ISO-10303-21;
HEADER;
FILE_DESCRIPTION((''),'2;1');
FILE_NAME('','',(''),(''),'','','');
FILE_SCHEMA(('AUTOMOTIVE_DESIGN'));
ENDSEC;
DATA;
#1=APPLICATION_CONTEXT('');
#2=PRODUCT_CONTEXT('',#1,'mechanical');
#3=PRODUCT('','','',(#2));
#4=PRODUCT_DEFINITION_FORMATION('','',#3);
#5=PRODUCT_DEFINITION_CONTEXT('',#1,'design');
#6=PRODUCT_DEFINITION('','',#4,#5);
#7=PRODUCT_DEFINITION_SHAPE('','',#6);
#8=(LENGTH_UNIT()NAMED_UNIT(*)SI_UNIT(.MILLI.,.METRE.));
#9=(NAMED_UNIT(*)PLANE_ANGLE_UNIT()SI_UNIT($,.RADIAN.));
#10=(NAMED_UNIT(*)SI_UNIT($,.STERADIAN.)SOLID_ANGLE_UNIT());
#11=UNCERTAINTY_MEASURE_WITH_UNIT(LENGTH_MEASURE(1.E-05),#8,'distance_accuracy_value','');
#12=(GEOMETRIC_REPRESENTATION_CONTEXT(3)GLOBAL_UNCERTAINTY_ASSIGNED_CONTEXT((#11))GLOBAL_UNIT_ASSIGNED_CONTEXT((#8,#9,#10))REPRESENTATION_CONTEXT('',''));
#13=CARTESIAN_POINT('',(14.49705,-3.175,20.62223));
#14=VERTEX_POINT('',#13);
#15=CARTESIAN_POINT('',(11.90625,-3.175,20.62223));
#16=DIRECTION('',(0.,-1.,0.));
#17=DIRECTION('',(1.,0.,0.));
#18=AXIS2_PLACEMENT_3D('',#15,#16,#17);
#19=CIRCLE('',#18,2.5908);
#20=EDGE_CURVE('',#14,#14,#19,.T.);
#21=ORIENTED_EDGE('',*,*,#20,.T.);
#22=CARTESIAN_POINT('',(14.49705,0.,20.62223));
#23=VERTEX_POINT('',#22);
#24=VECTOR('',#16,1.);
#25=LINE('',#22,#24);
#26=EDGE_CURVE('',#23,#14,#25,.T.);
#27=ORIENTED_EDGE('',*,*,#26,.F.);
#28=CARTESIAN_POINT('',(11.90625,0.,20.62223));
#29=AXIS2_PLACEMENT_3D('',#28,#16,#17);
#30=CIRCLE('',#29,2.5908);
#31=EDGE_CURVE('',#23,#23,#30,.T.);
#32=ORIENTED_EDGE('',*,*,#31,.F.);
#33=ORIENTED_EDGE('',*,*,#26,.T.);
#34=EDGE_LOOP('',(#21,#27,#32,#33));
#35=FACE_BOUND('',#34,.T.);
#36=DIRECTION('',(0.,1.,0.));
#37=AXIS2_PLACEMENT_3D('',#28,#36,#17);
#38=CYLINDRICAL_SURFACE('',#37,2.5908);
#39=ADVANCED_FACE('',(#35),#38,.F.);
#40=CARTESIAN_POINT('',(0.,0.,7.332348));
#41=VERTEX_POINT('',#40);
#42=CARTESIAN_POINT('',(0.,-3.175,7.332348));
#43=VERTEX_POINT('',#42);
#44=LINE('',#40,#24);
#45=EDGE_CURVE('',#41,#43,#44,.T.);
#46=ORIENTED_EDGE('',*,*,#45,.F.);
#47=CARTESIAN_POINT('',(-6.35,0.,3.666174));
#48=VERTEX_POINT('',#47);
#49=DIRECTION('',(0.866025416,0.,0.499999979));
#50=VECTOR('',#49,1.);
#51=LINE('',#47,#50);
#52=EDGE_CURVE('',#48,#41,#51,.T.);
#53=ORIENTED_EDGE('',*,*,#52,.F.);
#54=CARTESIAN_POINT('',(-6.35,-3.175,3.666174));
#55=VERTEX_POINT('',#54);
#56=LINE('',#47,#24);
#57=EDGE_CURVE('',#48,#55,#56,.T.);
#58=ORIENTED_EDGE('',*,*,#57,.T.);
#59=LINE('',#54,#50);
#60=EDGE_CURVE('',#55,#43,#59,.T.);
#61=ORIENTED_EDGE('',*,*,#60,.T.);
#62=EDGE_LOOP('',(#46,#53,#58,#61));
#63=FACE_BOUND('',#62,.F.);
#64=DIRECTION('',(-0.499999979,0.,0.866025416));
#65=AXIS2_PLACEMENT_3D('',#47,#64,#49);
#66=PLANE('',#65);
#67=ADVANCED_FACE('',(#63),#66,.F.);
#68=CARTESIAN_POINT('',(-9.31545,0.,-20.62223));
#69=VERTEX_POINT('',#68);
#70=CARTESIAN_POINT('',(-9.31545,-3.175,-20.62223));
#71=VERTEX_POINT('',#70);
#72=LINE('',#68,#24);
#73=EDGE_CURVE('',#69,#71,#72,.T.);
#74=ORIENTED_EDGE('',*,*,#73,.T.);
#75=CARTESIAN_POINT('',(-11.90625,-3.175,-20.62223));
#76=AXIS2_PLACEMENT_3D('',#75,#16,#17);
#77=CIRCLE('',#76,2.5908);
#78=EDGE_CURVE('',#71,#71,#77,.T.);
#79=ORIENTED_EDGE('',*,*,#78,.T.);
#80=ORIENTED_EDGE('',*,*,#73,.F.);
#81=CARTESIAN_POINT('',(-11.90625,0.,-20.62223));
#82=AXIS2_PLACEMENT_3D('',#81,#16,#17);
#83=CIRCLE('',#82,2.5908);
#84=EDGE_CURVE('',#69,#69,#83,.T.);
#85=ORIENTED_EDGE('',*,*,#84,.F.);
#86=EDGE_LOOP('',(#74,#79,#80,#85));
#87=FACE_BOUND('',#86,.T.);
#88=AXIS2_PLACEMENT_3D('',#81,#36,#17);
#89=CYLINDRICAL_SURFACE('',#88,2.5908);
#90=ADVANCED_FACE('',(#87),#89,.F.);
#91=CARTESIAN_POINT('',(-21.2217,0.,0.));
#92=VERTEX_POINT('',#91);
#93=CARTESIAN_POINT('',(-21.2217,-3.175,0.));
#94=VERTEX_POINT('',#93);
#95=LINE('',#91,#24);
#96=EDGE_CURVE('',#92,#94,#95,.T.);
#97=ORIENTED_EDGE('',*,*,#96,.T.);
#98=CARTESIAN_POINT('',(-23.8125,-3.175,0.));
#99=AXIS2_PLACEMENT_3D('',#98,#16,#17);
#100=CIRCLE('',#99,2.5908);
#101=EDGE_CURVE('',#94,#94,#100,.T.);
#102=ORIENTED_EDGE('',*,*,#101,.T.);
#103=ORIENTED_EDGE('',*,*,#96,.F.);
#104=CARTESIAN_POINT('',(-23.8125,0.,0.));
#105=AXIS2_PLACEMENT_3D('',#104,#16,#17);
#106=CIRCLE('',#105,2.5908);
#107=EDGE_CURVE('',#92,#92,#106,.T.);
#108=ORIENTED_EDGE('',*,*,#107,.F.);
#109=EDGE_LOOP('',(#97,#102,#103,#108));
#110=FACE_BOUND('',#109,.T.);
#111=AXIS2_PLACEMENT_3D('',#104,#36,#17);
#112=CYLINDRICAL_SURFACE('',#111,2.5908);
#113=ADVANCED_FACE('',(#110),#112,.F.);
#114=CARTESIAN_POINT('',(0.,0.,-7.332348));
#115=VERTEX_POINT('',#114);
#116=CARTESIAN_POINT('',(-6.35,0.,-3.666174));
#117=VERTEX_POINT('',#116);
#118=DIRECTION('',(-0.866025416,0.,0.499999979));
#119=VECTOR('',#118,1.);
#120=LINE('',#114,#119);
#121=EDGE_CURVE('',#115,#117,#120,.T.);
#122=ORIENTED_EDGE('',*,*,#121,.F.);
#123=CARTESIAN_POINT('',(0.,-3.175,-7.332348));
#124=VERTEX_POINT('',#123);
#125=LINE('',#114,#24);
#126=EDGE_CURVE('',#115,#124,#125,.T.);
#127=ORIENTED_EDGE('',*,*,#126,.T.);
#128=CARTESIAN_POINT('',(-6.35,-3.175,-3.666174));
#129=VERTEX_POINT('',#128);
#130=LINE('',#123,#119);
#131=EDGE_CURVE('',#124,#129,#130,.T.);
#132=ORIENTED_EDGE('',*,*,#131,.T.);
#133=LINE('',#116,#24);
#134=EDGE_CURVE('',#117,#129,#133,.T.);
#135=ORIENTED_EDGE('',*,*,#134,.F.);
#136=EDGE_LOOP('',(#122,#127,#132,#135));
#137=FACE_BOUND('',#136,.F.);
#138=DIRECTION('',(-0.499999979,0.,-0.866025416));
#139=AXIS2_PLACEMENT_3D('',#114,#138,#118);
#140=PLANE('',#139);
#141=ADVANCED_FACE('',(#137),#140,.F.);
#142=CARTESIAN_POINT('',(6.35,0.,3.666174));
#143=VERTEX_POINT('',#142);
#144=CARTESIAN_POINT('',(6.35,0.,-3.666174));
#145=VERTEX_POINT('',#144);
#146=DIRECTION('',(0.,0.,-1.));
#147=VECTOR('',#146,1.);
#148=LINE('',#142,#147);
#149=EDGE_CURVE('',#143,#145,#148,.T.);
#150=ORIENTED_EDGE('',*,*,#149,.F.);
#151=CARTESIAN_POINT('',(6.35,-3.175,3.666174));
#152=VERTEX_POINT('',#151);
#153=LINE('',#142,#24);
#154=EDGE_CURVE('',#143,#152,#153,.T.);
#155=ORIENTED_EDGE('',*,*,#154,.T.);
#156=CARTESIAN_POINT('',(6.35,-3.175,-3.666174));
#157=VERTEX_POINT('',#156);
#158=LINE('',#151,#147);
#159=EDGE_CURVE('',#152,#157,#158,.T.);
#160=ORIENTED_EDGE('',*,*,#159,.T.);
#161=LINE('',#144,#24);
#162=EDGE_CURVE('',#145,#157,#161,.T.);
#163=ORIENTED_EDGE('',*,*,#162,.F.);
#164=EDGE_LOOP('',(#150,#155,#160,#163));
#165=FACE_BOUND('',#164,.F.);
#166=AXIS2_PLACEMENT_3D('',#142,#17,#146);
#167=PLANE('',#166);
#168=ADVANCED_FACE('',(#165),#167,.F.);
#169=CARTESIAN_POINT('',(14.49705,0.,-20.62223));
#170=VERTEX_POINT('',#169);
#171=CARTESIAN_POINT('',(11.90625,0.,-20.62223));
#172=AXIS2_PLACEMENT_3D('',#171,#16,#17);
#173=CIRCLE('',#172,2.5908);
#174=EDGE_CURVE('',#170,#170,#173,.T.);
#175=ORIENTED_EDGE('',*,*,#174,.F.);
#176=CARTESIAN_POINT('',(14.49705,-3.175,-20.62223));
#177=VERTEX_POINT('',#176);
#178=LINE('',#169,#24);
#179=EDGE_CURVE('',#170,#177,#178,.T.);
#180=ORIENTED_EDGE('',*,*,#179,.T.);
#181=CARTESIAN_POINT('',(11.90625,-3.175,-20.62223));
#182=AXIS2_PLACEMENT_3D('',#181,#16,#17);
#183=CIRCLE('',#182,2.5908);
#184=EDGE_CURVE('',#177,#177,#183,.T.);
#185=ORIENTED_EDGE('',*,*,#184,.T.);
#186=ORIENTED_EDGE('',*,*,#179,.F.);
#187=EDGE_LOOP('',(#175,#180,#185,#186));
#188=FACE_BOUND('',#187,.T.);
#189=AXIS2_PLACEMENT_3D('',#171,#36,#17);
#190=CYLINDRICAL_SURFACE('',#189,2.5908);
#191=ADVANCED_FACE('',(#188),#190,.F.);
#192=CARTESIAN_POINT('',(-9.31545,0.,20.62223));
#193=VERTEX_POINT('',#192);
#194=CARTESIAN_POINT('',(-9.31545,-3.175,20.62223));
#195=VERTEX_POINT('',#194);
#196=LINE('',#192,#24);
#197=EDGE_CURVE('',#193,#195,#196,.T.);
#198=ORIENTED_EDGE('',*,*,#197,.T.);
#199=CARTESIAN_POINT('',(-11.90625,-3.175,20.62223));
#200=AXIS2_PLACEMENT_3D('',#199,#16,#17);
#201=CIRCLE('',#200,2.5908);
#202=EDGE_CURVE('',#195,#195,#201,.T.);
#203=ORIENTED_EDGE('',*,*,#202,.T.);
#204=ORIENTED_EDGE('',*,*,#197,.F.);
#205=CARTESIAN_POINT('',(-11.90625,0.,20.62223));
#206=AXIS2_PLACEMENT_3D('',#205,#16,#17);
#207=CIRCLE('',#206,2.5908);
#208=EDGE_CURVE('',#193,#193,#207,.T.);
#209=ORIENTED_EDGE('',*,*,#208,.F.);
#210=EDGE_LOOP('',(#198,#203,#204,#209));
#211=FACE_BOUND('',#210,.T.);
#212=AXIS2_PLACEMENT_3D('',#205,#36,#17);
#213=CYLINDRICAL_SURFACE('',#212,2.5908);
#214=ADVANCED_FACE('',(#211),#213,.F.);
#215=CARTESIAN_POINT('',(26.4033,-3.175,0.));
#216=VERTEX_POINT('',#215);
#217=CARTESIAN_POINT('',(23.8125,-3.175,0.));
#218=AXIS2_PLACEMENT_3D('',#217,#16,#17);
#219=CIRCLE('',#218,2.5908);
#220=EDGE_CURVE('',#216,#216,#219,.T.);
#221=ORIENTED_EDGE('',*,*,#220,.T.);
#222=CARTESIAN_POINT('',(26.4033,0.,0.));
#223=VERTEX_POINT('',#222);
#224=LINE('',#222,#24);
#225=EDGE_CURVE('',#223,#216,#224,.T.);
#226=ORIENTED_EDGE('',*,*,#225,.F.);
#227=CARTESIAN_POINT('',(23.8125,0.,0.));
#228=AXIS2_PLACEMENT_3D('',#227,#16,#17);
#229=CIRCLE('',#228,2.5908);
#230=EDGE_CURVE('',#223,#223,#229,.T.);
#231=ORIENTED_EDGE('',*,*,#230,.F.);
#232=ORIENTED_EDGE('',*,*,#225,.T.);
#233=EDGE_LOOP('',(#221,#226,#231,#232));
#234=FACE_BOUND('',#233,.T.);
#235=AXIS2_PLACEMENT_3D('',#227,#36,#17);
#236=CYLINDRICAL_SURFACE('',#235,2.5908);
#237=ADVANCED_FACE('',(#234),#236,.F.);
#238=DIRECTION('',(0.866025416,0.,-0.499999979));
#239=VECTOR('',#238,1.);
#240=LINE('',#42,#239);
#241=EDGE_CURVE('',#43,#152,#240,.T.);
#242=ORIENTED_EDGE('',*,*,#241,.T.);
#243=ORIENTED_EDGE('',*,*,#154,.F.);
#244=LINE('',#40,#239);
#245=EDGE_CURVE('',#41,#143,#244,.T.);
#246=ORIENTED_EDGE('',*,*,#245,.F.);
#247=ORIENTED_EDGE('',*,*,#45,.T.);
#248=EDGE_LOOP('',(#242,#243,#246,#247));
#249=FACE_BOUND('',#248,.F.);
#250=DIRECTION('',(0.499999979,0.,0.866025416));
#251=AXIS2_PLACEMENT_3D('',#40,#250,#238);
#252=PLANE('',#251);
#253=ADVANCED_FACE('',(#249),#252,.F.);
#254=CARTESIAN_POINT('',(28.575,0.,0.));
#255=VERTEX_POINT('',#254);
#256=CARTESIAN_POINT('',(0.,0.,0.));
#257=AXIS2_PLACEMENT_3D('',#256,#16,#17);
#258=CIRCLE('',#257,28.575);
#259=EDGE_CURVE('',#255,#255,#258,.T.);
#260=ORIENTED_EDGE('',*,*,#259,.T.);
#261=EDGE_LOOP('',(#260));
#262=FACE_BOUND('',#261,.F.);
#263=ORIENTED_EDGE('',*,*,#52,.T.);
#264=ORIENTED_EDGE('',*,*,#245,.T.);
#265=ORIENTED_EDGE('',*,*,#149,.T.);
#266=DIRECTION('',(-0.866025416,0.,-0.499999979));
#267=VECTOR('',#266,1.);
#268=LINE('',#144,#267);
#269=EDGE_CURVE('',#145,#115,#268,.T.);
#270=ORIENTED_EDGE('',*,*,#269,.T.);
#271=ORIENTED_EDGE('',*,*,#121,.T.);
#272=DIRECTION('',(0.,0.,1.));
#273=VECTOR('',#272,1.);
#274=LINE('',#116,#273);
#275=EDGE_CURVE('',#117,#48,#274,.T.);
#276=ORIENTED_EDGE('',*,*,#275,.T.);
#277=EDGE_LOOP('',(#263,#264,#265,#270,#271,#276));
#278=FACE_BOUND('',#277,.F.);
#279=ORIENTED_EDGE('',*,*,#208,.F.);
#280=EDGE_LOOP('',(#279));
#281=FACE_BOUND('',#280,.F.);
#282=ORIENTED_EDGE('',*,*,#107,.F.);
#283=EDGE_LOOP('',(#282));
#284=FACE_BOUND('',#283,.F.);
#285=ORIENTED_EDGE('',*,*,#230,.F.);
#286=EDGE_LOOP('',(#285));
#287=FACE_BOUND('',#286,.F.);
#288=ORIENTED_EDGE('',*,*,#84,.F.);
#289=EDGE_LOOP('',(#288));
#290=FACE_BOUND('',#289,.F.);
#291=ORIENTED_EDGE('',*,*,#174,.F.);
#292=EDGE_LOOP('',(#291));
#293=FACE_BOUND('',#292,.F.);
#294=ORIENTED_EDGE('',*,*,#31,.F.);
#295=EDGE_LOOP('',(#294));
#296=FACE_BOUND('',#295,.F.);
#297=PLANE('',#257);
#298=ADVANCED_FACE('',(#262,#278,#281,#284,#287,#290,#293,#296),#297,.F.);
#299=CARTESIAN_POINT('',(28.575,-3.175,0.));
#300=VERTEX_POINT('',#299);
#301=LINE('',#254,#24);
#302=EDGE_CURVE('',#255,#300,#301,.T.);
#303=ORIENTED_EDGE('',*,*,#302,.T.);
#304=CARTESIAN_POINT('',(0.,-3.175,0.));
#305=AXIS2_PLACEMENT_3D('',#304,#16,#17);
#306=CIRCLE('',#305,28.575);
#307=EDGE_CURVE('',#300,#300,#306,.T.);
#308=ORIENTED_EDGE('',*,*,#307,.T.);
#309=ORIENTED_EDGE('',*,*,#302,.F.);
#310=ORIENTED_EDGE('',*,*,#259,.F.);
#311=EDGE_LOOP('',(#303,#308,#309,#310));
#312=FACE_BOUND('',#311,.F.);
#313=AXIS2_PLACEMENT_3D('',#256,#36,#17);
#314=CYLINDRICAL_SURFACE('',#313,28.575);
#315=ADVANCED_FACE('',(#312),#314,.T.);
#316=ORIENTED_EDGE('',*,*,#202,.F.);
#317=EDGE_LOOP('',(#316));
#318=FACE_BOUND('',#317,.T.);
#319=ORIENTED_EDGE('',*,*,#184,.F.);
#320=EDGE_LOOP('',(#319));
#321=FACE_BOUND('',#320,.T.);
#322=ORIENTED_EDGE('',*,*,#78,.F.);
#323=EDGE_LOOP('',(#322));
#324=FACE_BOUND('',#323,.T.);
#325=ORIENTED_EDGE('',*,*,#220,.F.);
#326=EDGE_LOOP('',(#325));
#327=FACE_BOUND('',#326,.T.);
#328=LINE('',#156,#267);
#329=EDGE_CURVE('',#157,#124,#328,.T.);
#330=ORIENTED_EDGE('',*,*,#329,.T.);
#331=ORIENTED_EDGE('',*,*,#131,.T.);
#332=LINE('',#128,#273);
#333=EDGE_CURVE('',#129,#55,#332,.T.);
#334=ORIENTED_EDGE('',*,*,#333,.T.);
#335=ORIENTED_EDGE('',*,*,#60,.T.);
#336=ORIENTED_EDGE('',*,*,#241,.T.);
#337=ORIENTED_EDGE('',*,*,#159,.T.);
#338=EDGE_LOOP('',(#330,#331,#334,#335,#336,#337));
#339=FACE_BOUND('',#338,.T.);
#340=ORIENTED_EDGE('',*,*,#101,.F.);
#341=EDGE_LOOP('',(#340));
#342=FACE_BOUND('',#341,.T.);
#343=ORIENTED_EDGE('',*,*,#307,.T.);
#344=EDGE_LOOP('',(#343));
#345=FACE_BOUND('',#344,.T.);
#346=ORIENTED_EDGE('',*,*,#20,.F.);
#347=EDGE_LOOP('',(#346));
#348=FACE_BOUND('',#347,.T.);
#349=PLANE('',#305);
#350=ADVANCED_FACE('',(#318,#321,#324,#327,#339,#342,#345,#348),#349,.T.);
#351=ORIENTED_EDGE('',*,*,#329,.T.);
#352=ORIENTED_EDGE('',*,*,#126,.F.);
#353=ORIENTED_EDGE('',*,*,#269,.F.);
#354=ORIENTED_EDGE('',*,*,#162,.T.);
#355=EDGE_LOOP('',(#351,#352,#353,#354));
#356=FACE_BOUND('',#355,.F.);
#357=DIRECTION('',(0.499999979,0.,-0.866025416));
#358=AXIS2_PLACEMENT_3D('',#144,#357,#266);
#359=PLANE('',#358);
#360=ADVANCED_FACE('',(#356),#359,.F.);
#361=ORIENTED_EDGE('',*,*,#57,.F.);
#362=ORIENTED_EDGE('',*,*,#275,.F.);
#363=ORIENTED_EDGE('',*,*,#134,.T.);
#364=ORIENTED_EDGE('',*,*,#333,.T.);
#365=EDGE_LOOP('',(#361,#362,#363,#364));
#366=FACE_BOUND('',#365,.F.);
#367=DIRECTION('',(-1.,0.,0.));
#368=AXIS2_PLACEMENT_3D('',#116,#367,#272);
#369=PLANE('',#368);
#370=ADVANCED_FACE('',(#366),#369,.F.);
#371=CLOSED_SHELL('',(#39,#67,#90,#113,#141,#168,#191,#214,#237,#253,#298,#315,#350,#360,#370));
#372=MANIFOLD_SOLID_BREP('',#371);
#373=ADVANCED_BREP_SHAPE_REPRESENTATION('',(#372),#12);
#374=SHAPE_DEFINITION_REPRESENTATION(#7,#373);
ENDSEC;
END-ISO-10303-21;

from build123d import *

# Parameters (mm, degrees)
F0_R     = 28.575
F0_R_2   = 2.5908
F1_DEPTH = 3.175


with BuildPart() as f1:
    # F0 (on Front) → F1 (new body)
    with BuildSketch(Plane.XZ):
        Circle(F0_R)
        with Locations((-11.90625, -20.62223)):
            Circle(F0_R_2, mode=Mode.SUBTRACT)
        with Locations((11.90625, -20.62223)):
            Circle(F0_R_2, mode=Mode.SUBTRACT)
        with Locations((-23.8125, 0)):
            Circle(F0_R_2, mode=Mode.SUBTRACT)
        with Locations((-11.90625, 20.62223)):
            Circle(F0_R_2, mode=Mode.SUBTRACT)
        Polygon((-6.35, 3.666174), (0, 7.332348), (6.35, 3.666174), (6.35, -3.666174), (0, -7.332348), (-6.35, -3.666174), align=None, mode=Mode.SUBTRACT)
        with Locations((23.8125, 0)):
            Circle(F0_R_2, mode=Mode.SUBTRACT)
        with Locations((11.90625, 20.62223)):
            Circle(F0_R_2, mode=Mode.SUBTRACT)
    extrude(amount=F1_DEPTH)


solid = f1.part
